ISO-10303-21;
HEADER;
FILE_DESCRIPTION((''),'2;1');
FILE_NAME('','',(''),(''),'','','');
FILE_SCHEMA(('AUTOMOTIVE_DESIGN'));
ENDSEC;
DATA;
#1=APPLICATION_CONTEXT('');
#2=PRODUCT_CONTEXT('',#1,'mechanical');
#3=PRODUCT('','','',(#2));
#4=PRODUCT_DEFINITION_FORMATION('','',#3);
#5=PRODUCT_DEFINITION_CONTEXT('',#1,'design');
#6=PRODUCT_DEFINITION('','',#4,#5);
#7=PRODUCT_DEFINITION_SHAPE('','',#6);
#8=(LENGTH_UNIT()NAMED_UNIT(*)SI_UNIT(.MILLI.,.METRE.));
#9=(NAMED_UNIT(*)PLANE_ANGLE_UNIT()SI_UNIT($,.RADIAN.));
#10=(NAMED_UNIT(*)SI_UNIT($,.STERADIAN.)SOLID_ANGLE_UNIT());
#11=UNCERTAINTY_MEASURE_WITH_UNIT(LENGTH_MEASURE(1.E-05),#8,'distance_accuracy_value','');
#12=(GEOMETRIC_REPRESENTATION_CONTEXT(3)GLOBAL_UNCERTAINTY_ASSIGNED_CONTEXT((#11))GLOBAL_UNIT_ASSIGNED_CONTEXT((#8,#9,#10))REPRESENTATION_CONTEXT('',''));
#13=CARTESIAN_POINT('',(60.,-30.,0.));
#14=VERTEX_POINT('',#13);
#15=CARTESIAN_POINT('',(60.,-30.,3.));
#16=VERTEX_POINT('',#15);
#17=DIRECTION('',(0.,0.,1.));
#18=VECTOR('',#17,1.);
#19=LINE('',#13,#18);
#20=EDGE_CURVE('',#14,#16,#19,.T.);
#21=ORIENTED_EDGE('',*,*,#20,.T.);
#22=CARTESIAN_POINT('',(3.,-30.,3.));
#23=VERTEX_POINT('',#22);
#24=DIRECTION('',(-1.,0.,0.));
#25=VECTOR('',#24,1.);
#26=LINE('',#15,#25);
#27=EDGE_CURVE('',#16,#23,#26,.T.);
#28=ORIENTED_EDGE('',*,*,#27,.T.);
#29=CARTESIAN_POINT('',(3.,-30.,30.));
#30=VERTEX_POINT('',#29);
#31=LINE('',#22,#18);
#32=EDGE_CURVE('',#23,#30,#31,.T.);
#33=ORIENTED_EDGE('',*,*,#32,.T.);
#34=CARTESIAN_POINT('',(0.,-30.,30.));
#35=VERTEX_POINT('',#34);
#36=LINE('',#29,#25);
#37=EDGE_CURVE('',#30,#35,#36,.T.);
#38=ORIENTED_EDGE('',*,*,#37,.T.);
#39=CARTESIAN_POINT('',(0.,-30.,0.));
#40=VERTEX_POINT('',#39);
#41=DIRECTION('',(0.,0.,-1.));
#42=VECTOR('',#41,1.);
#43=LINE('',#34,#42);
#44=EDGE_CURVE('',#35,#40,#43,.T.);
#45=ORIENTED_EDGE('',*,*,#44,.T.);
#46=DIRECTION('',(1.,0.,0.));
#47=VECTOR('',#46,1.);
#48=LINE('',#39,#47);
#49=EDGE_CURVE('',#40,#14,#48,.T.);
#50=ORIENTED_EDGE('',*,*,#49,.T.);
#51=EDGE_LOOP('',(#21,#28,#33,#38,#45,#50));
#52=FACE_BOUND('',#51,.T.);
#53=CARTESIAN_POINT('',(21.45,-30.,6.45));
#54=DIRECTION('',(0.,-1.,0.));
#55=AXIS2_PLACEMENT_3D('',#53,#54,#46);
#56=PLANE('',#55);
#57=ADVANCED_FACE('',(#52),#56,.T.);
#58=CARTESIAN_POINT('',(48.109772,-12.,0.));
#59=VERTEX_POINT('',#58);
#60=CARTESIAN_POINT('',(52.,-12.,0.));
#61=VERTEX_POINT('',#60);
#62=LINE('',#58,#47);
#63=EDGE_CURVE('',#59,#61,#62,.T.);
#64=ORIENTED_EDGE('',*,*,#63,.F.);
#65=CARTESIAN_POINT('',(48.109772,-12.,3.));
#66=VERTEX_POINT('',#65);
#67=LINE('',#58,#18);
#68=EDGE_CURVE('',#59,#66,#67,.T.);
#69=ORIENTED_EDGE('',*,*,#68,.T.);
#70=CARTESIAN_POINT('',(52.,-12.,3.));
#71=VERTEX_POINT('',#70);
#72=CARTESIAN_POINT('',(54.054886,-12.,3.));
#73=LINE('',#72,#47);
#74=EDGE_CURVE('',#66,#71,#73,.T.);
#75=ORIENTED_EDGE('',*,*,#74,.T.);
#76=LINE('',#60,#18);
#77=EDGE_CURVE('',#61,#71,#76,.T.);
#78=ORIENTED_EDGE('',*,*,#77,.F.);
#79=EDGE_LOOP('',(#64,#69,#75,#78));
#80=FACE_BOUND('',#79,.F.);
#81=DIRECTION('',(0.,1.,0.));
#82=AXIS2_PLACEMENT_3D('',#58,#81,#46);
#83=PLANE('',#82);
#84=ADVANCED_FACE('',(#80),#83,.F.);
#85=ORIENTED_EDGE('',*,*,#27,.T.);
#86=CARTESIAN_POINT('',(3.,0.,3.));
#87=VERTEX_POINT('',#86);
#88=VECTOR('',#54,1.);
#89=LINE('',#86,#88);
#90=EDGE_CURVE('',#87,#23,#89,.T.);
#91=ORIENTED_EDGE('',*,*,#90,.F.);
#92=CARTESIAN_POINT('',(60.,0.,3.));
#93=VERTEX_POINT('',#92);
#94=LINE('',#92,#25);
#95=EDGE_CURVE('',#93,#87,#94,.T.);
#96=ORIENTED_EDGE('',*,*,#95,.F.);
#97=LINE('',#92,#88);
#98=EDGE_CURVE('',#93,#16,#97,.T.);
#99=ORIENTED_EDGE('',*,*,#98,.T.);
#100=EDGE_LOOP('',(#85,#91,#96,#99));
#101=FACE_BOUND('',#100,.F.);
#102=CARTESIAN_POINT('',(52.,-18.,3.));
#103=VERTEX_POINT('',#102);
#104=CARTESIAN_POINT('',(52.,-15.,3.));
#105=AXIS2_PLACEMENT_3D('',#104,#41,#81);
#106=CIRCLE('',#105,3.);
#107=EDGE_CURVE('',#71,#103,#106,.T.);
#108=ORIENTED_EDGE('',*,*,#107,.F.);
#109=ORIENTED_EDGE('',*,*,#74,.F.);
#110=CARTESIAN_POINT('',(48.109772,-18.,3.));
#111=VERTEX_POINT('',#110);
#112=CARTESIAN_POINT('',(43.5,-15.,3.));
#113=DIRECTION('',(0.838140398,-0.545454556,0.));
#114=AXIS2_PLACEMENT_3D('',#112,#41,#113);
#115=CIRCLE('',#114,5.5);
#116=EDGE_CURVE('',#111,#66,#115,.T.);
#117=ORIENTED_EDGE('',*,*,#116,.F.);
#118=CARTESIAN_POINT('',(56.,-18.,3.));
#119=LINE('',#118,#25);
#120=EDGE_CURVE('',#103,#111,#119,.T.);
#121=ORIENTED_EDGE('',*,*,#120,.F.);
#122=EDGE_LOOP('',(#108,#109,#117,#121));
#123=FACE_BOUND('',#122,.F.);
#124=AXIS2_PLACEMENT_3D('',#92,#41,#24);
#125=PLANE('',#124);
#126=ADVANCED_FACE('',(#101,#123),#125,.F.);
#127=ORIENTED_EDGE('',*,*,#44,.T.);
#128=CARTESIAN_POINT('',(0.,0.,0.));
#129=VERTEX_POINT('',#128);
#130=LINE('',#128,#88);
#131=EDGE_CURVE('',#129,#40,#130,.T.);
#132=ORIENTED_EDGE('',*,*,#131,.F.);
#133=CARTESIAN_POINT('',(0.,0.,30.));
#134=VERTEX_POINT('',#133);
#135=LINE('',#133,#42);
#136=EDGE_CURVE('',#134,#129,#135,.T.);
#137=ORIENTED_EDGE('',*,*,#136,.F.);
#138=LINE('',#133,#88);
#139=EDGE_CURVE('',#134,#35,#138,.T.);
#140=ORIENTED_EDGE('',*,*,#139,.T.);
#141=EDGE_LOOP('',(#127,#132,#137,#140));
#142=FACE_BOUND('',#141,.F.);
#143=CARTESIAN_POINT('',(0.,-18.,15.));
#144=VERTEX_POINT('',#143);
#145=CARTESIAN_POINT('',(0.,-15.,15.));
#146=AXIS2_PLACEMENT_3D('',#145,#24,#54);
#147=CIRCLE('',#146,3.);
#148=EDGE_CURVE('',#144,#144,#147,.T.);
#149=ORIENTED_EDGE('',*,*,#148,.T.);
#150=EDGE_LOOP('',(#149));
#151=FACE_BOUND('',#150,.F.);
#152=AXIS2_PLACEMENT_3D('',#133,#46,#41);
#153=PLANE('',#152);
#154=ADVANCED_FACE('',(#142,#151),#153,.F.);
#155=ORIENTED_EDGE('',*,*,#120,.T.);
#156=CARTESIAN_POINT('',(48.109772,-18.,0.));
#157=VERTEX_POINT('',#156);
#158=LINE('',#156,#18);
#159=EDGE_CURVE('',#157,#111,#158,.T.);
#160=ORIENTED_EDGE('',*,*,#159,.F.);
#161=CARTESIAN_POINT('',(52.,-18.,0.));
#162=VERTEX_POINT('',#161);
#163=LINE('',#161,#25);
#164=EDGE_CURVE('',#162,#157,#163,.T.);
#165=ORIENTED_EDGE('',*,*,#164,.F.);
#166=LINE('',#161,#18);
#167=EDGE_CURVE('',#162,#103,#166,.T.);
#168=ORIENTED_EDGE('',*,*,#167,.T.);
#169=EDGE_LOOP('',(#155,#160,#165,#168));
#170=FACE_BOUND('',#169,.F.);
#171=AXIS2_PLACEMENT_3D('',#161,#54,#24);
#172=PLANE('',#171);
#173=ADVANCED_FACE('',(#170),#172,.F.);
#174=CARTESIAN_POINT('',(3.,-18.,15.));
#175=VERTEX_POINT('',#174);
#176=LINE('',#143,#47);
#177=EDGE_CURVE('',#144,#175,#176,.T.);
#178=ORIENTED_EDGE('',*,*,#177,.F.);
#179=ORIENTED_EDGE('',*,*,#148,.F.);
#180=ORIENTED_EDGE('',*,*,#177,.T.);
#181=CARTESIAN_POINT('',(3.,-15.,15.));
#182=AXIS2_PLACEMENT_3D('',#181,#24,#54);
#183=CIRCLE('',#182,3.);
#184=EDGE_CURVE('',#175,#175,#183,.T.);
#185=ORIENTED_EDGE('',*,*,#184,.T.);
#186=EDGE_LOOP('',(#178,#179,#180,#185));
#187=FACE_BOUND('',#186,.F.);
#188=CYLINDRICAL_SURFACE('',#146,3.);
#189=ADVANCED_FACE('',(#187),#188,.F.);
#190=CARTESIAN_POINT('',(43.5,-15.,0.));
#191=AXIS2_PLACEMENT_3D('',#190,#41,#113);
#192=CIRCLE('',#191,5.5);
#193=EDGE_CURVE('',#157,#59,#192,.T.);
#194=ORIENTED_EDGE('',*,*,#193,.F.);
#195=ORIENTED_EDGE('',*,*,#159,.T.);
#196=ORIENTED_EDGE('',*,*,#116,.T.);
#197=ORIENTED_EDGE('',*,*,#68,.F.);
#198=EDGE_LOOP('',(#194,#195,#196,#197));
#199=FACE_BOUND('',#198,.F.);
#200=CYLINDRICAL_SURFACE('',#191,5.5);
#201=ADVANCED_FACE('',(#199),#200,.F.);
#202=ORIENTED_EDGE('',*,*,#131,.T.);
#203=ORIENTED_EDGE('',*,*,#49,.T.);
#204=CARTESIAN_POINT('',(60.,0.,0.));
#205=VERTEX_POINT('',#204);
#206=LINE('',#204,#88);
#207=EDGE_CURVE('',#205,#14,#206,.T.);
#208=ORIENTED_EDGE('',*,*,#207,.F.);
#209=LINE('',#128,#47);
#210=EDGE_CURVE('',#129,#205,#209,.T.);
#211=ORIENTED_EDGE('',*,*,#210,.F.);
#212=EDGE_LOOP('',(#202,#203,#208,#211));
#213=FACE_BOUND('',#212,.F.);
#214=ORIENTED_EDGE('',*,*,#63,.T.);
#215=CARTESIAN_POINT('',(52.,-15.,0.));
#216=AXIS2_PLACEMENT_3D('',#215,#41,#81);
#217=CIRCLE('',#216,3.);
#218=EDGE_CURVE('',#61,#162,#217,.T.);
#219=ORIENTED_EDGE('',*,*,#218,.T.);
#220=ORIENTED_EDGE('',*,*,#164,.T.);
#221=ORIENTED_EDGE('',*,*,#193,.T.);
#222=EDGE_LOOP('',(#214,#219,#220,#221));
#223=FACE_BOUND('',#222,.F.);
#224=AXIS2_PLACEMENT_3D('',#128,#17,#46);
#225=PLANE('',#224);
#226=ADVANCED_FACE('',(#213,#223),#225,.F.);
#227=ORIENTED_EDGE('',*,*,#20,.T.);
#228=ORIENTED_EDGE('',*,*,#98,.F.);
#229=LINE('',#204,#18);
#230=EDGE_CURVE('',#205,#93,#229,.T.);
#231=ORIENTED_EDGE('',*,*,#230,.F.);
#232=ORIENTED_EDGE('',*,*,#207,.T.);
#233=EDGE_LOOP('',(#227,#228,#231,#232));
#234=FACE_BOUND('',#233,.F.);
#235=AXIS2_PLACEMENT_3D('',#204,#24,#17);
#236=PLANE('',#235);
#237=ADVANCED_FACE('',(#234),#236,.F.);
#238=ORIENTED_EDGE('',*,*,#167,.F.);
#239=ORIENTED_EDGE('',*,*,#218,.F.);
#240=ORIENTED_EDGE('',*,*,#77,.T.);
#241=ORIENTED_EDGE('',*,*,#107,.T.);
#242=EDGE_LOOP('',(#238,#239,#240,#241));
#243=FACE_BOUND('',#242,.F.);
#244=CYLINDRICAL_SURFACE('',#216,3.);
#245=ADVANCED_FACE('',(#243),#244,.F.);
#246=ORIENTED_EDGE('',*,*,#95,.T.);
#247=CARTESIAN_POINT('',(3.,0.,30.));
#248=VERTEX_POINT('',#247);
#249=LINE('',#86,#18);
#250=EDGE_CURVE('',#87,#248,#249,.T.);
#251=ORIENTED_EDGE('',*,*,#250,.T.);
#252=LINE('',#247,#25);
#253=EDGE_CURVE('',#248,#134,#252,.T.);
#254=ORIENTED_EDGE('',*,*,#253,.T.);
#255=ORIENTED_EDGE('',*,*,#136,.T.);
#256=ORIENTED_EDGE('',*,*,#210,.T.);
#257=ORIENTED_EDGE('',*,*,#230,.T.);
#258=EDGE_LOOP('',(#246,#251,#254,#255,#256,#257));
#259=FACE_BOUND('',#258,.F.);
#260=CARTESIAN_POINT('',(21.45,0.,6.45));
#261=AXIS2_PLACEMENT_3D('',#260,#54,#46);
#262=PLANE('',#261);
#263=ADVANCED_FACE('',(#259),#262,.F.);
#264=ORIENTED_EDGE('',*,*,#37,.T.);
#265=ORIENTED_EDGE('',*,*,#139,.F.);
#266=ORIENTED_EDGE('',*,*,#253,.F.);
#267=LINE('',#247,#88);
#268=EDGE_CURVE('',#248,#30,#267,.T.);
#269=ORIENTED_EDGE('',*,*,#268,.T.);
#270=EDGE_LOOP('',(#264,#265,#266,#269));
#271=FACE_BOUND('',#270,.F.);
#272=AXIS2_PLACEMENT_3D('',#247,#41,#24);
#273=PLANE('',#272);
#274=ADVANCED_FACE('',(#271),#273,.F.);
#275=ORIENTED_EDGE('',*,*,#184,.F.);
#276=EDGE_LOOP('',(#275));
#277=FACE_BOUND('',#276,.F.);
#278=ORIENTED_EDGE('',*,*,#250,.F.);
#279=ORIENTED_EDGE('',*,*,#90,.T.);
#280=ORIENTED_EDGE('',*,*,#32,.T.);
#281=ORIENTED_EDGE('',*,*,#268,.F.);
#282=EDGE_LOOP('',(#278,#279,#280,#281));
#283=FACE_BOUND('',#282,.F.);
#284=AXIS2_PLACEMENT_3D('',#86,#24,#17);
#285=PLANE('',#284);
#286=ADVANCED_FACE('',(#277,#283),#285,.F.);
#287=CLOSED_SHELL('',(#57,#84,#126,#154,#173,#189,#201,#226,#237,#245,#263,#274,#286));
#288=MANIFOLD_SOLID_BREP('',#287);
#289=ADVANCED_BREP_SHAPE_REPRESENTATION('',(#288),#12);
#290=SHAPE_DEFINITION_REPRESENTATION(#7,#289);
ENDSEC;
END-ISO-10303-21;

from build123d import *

# Parameters (mm, degrees)
F1_DEPTH = 30
F2_R     = 3
F3_DEPTH = 60.001
F5_DEPTH = 30.001


with BuildPart() as f1:
    # F0 (on Front) → F1 (new body)
    with BuildSketch(Plane.XZ):
        Polygon((0, 30), (0, 0), (60, 0), (60, 3), (3, 3), (3, 30), align=None)
    extrude(amount=F1_DEPTH)

    # F2 (on face) → F3 (cut, through all)
    with BuildSketch(Plane(origin=(0, 0, 0), x_dir=(0, -1, 0), z_dir=(-1, 0, 0))):
        with Locations((15, 15)):
            Circle(F2_R)
    extrude(amount=-F3_DEPTH, mode=Mode.SUBTRACT)

    # F4 (on face) → F5 (cut, through all)
    with BuildSketch(Plane(origin=(0, 0, 0), x_dir=(1, 0, 0), z_dir=(0, 0, -1))):
        with BuildLine():
            Line((52, 18), (48.109772, 18))
            ThreePointArc((48.109772, 18), (38, 15), (48.109772, 12))
            Line((48.109772, 12), (52, 12))
            ThreePointArc((52, 12), (55, 15), (52, 18))
        make_face()
    extrude(amount=-F5_DEPTH, mode=Mode.SUBTRACT)


solid = f1.part
